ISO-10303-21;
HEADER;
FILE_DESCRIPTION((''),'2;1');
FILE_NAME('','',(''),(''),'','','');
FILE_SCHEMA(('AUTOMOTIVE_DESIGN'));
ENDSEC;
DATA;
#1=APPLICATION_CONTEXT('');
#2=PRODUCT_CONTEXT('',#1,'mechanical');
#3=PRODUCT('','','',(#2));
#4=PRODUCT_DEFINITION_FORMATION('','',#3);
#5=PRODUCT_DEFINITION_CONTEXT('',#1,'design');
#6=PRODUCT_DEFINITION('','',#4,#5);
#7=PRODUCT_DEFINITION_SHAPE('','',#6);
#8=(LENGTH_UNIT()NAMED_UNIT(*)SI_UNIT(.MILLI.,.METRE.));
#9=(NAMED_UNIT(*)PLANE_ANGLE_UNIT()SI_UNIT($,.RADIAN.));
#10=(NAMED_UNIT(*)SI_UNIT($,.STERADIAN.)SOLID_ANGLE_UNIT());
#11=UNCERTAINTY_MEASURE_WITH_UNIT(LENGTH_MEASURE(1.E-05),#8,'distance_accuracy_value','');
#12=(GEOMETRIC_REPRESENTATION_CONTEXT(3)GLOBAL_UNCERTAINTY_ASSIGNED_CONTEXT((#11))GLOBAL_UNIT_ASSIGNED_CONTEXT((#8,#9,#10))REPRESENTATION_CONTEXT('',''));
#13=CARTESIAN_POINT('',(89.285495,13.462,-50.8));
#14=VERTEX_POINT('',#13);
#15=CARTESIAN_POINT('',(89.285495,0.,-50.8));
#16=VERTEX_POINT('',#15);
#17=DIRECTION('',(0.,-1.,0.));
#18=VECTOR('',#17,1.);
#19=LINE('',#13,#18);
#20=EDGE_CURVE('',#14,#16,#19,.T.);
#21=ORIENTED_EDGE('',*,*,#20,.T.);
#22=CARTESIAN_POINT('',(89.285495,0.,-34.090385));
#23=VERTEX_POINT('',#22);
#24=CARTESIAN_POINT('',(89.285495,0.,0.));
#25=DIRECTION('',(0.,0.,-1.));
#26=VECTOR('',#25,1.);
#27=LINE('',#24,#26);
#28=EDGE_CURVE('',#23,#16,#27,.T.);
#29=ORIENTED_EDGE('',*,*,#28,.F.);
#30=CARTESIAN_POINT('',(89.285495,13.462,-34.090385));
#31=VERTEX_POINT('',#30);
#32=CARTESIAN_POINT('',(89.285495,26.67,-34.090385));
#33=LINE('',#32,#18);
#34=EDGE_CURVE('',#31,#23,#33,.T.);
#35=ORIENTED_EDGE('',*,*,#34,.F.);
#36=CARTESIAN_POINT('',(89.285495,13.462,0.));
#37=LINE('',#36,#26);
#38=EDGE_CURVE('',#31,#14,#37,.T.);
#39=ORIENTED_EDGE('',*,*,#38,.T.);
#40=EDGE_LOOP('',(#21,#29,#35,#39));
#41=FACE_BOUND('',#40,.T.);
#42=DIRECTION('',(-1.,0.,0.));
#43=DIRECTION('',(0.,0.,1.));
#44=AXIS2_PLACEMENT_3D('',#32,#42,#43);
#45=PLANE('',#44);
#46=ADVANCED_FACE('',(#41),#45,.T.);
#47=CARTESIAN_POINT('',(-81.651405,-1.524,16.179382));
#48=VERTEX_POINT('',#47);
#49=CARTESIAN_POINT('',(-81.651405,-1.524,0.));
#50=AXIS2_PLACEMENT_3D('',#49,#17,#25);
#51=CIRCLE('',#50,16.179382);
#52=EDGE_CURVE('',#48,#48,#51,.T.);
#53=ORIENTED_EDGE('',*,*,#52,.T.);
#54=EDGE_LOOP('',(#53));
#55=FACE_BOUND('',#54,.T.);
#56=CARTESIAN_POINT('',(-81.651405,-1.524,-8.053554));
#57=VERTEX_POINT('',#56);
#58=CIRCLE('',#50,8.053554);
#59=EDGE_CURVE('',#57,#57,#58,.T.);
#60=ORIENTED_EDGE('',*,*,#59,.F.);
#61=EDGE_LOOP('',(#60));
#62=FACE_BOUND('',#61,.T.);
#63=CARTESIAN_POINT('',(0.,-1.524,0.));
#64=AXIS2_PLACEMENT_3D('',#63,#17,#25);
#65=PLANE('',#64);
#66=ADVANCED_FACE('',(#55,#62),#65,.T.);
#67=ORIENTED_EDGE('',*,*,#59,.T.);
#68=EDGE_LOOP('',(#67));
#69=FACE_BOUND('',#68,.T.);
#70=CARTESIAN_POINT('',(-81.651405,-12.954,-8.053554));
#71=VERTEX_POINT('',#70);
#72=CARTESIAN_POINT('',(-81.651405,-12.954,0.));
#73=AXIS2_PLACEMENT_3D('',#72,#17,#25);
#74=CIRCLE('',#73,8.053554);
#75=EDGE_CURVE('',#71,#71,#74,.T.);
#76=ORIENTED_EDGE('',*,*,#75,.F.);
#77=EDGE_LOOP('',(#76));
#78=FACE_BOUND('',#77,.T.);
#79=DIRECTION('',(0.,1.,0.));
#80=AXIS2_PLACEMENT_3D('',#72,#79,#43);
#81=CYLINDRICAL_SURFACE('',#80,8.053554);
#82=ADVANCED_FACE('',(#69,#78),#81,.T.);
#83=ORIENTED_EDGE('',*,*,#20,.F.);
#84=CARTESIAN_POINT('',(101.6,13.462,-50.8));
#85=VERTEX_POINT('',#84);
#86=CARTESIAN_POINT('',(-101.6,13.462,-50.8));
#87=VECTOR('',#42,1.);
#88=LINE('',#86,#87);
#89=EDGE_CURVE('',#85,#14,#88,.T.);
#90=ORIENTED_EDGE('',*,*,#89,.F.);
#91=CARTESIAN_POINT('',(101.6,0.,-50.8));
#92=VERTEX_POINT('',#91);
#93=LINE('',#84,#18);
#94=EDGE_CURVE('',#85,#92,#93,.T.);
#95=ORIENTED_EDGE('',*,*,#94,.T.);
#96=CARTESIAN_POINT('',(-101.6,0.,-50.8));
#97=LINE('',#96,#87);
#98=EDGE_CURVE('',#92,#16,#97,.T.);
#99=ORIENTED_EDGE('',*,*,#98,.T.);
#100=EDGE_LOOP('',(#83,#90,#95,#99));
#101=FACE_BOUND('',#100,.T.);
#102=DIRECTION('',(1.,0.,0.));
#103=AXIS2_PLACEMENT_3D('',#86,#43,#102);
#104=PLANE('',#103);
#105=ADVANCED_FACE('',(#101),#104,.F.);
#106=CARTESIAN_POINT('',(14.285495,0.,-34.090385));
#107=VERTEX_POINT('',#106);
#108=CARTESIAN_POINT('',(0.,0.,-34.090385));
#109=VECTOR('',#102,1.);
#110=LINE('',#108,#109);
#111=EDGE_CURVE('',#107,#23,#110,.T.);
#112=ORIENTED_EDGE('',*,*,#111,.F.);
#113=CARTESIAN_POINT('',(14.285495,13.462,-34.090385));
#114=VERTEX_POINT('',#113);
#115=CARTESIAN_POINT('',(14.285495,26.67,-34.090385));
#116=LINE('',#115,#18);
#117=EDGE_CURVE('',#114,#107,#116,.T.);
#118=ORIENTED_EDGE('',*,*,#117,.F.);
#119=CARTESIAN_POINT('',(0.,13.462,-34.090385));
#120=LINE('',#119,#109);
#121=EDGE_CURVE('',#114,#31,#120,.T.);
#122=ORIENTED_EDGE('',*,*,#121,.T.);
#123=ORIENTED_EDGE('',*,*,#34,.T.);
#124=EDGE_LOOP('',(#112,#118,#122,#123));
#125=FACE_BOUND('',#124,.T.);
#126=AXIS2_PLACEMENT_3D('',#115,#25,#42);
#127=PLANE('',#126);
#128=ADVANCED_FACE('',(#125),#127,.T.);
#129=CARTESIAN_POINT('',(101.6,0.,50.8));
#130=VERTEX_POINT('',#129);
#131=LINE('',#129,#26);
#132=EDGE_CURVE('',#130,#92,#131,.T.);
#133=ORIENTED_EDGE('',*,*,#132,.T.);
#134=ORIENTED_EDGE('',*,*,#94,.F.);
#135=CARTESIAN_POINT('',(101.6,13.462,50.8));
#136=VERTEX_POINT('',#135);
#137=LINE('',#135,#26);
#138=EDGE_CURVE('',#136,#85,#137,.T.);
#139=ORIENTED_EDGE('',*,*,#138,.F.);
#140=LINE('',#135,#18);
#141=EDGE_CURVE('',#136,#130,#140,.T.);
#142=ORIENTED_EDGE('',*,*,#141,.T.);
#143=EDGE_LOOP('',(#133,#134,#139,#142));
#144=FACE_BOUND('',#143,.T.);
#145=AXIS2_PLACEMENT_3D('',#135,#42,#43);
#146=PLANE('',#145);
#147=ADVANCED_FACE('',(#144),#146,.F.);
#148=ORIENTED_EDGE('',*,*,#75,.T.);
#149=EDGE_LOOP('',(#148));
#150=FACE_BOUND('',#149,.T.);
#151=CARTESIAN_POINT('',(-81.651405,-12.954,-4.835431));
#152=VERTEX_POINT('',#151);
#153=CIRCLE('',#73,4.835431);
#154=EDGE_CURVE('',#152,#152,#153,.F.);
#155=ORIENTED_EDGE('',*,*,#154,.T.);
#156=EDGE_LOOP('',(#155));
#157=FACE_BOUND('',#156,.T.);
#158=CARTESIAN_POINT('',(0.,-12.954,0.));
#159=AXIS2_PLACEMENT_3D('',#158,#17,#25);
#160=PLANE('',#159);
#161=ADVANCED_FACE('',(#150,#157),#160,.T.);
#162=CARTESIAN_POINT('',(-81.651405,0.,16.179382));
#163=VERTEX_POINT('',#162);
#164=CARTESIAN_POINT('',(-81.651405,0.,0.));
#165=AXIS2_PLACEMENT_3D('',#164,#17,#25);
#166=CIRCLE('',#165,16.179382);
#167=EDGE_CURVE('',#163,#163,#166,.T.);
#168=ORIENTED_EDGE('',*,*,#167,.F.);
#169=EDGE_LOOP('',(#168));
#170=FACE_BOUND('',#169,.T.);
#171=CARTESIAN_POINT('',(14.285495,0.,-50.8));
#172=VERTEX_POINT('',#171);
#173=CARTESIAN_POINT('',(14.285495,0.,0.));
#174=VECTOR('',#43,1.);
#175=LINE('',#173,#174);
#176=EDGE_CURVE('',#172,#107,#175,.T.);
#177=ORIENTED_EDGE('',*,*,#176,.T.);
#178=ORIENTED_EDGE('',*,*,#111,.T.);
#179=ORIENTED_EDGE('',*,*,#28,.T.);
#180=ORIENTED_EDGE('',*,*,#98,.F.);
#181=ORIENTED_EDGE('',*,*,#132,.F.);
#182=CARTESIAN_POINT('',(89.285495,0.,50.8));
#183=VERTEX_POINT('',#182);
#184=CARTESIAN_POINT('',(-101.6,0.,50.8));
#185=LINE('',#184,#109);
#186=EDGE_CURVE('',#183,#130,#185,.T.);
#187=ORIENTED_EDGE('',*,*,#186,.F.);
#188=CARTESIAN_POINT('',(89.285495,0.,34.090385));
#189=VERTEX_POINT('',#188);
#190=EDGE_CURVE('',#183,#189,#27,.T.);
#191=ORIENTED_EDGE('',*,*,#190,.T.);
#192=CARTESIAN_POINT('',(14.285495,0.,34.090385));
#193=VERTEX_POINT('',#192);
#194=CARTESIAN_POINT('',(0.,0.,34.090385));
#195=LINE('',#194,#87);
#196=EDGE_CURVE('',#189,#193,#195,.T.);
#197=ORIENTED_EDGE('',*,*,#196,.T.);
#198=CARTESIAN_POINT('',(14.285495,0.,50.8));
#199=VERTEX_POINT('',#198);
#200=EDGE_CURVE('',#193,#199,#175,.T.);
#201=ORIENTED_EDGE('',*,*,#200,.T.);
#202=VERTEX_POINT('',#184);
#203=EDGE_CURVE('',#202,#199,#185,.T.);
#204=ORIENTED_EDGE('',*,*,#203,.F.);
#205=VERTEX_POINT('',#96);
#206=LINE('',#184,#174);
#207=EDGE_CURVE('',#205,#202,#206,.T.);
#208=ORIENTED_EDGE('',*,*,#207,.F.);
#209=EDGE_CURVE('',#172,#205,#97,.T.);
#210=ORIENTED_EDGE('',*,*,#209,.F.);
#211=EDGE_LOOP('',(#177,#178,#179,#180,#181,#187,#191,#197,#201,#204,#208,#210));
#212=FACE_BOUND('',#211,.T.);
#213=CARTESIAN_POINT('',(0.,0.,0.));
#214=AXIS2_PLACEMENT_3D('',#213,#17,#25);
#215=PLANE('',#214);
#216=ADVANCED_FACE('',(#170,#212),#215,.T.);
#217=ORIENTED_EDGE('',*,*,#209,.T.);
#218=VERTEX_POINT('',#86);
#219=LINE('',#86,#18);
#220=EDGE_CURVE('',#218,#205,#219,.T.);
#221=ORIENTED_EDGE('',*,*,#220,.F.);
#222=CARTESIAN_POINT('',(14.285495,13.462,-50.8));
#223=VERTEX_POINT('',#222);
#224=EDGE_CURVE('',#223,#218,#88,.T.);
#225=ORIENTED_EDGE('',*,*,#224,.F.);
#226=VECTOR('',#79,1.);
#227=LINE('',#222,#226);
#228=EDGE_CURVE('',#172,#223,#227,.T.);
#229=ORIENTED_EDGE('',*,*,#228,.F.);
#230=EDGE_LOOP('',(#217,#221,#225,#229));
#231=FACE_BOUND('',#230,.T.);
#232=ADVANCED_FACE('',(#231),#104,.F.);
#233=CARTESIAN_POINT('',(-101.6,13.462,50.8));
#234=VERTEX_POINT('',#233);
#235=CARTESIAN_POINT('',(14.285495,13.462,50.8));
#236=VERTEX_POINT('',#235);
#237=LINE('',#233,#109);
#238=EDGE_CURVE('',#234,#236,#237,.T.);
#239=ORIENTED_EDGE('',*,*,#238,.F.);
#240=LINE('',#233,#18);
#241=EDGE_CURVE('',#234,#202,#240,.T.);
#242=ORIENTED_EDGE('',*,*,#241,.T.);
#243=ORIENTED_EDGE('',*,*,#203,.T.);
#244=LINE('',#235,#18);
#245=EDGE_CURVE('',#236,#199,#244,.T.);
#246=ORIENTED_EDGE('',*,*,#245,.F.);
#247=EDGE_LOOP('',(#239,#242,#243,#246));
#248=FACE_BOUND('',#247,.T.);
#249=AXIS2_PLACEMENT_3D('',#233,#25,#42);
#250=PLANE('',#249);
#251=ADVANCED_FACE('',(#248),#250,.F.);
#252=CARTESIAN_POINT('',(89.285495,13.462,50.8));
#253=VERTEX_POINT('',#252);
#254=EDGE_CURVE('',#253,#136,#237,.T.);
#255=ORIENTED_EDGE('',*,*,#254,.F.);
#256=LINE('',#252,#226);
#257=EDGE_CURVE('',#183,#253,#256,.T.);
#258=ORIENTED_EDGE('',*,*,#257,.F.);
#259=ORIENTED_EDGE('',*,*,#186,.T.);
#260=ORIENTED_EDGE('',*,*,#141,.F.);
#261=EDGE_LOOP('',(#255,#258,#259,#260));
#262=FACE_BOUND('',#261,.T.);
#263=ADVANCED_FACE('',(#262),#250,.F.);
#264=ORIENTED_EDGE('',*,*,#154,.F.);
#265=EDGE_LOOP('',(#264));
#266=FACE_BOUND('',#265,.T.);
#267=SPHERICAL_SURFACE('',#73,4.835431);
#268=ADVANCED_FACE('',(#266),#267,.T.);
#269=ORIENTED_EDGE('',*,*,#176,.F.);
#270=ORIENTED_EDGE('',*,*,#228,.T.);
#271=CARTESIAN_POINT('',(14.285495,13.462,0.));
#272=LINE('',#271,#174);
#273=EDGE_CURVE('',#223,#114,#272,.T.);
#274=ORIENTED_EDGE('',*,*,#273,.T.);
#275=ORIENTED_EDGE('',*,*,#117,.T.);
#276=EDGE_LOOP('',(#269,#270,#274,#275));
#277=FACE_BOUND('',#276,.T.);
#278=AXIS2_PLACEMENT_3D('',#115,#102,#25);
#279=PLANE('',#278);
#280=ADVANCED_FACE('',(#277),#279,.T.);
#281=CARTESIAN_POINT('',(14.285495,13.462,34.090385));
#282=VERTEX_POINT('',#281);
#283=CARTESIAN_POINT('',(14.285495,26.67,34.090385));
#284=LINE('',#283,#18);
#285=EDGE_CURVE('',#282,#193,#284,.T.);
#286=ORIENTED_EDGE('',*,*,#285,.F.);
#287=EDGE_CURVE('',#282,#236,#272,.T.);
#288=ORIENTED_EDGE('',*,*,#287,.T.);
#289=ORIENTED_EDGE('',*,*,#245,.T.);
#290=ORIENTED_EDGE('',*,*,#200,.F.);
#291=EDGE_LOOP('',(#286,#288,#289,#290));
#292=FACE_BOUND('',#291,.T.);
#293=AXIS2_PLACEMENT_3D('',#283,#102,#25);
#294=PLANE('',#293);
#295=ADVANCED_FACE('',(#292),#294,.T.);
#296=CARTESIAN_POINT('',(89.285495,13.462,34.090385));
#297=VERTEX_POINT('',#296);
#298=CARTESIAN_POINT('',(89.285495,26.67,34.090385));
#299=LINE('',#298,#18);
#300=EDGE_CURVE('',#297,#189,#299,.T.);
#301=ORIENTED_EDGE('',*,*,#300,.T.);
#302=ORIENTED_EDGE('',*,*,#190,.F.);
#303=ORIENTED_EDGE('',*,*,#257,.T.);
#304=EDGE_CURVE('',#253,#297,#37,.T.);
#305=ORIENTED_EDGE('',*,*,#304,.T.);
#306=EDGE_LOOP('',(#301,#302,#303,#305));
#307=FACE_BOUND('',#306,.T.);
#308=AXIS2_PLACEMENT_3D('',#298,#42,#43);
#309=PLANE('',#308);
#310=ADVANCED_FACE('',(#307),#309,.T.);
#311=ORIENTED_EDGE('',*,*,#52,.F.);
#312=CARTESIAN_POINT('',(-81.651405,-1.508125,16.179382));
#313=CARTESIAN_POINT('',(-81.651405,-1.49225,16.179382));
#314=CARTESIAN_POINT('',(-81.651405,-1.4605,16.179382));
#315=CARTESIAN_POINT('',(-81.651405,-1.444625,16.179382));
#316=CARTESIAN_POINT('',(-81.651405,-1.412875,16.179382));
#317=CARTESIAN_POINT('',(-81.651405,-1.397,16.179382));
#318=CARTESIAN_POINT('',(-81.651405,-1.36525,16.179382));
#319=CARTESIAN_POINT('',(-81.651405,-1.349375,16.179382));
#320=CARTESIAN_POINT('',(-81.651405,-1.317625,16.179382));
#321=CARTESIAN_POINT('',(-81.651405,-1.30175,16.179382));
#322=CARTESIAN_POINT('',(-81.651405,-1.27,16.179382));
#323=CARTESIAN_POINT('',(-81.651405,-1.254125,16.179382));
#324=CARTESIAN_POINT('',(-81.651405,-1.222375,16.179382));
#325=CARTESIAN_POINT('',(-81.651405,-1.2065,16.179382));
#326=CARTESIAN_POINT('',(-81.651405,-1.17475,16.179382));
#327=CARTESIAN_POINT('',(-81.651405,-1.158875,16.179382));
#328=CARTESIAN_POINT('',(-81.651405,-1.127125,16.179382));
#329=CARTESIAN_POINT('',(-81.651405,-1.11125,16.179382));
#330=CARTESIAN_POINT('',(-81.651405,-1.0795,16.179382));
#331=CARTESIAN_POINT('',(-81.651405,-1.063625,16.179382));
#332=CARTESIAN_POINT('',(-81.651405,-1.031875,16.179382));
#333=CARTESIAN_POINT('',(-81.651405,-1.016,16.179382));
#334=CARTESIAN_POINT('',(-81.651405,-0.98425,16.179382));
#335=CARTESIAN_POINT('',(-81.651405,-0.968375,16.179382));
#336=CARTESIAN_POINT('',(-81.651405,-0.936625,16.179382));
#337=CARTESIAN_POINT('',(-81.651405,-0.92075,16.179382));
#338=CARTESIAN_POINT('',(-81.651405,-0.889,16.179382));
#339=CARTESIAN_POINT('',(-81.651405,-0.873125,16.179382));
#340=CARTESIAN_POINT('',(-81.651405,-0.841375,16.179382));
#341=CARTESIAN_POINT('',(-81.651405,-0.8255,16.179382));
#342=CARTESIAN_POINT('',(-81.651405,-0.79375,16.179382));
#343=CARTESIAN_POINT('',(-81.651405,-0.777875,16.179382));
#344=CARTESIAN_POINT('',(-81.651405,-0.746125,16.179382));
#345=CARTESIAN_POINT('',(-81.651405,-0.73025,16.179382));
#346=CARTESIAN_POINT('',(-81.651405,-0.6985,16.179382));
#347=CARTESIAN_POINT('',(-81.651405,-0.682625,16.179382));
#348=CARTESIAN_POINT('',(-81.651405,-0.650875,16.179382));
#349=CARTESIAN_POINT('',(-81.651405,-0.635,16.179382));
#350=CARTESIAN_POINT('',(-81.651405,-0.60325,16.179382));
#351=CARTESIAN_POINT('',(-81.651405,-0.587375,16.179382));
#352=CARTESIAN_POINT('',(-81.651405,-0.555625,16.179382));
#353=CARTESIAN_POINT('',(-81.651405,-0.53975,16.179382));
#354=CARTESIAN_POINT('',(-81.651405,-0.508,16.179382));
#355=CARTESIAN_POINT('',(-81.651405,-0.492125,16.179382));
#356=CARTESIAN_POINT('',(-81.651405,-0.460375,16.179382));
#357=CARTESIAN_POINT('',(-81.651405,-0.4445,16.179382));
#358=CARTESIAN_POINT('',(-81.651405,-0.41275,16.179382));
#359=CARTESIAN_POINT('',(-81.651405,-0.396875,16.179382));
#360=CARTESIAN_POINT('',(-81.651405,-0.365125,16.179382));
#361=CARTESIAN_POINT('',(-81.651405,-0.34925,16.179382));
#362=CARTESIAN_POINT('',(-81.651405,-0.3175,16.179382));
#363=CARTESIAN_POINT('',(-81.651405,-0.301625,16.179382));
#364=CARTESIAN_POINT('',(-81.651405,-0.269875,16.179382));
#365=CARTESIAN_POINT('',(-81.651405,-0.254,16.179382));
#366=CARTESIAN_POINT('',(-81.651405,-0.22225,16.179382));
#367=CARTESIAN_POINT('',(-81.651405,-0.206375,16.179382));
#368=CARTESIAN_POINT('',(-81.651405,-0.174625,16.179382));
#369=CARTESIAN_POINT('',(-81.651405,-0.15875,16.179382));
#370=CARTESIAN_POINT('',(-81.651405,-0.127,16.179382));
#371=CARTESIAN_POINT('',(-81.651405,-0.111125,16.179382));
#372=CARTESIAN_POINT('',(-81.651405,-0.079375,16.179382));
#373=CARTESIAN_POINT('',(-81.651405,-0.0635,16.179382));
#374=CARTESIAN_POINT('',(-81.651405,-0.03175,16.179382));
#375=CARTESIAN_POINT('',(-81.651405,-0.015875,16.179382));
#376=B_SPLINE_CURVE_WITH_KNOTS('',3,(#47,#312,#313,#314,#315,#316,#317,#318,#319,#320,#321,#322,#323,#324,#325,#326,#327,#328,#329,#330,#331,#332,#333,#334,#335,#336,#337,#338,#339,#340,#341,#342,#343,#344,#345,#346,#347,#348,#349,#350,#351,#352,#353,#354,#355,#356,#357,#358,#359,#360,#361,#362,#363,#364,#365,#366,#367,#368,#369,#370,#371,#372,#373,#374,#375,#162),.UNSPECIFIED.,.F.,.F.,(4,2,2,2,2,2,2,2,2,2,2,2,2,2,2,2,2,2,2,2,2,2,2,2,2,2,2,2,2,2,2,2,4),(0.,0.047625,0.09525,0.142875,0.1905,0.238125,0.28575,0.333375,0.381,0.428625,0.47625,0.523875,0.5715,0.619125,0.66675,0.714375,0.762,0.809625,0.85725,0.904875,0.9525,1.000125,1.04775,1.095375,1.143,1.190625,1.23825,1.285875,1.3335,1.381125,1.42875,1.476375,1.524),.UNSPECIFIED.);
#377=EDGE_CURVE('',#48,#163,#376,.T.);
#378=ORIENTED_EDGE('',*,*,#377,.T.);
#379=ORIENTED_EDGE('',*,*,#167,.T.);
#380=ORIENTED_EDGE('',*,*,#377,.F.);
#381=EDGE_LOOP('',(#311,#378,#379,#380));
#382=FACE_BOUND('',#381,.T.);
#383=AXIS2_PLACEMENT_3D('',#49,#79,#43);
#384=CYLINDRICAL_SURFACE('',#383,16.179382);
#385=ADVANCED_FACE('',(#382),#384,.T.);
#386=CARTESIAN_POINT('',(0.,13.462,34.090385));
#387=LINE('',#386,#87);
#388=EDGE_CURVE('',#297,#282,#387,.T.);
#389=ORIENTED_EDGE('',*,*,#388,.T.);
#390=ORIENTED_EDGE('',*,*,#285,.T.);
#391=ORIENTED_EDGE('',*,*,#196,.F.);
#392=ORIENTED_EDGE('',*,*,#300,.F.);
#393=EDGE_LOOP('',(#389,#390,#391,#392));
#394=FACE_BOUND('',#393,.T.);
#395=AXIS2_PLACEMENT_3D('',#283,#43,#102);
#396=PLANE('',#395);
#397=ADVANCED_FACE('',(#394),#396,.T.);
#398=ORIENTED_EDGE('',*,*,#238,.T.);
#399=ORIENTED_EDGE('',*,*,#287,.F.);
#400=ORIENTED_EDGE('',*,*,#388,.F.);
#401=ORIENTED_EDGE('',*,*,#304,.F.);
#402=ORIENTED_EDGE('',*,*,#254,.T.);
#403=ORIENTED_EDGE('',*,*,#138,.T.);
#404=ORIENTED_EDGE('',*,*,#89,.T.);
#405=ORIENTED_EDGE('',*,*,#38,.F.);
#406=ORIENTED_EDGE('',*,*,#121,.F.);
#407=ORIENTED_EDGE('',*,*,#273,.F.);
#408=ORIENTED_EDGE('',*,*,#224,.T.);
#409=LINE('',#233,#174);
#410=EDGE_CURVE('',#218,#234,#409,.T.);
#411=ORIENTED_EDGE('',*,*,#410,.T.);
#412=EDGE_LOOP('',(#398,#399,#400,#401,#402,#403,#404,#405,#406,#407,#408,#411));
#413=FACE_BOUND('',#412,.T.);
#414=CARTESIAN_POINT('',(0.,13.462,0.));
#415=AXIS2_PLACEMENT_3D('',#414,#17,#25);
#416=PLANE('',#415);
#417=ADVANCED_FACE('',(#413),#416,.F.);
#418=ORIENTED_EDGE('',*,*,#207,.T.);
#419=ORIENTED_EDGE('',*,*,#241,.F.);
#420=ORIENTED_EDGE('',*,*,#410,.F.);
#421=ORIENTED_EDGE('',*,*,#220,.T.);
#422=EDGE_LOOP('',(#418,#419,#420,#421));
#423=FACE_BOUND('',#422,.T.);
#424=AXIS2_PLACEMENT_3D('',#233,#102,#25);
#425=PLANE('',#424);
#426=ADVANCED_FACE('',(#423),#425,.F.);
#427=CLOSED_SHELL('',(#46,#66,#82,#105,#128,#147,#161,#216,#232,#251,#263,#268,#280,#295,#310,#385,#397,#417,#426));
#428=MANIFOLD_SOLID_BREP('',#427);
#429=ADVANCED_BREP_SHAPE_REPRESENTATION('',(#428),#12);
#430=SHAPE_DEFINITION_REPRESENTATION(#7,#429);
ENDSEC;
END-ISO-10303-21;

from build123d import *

# Parameters (mm, degrees)
SKETCH1_W               = 203.2
SKETCH1_H               = 101.6
BOSS_EXTRUDE2_DEPTH     = 13.462
CUT_EXTRUDE1_DEPTH      = 13.208
CUT_EXTRUDE1_DEPTH_BACK = 28.448
SKETCH4_W               = 75
SKETCH4_H               = 23.376263875
SKETCH5_R               = 16.179381977
BOSS_EXTRUDE4_DEPTH     = 1.524
SKETCH6_R               = 8.05355352
BOSS_EXTRUDE6_DEPTH     = 11.43


with BuildPart() as part:
    # Sketch1 → Boss-Extrude2 (new body)
    with BuildSketch(Plane(origin=(0, 0, 0), x_dir=(1, 0, 0), z_dir=(0, 1, 0))):
        Rectangle(SKETCH1_W, SKETCH1_H)
    extrude(amount=BOSS_EXTRUDE2_DEPTH)

    # Sketch4 → Cut-Extrude1 (cut, two sides: drawn at the far end of the back side and taken through both)
    with BuildSketch(Plane(origin=(0, 13.462, 0), x_dir=(1, 0, 0), z_dir=(0, 1, 0)).offset(-CUT_EXTRUDE1_DEPTH_BACK)):
        with Locations((51.78549459, -45.778516755)):
            Rectangle(SKETCH4_W, SKETCH4_H)
        with Locations((51.78549459, 45.778516755)):
            Rectangle(SKETCH4_W, SKETCH4_H)
    extrude(amount=CUT_EXTRUDE1_DEPTH + CUT_EXTRUDE1_DEPTH_BACK, mode=Mode.SUBTRACT)

    # Sketch5 → Boss-Extrude4 (add)
    with BuildSketch(Plane(origin=(0, 0, 0), x_dir=(-1, 0, 0), z_dir=(0, -1, 0))):
        with Locations(Location((81.651405353, 0, 0), (0, 0, 270))):
            Circle(SKETCH5_R)
    extrude(amount=BOSS_EXTRUDE4_DEPTH)

    # Sketch6 → Boss-Extrude6 (add)
    with BuildSketch(Plane.XZ.offset(1.524)):
        with Locations(Location((-81.651405353, 0, 0), (0, 0, 270))):
            Circle(SKETCH6_R)
    extrude(amount=BOSS_EXTRUDE6_DEPTH)

    # Sketch7 → Revolve1 (revolve)
    with BuildSketch(Plane.XZ.offset(12.954)):
        with BuildLine():
            Line((-86.486836617, 0), (-76.815974088, 0))
            ThreePointArc((-76.815974088, 0), (-81.651405353, 4.835431264), (-86.486836617, 0))
        make_face()
    revolve(axis=Axis((-86.486836617, -12.954, 0), (1, 0, 0)))


solid = part.part
